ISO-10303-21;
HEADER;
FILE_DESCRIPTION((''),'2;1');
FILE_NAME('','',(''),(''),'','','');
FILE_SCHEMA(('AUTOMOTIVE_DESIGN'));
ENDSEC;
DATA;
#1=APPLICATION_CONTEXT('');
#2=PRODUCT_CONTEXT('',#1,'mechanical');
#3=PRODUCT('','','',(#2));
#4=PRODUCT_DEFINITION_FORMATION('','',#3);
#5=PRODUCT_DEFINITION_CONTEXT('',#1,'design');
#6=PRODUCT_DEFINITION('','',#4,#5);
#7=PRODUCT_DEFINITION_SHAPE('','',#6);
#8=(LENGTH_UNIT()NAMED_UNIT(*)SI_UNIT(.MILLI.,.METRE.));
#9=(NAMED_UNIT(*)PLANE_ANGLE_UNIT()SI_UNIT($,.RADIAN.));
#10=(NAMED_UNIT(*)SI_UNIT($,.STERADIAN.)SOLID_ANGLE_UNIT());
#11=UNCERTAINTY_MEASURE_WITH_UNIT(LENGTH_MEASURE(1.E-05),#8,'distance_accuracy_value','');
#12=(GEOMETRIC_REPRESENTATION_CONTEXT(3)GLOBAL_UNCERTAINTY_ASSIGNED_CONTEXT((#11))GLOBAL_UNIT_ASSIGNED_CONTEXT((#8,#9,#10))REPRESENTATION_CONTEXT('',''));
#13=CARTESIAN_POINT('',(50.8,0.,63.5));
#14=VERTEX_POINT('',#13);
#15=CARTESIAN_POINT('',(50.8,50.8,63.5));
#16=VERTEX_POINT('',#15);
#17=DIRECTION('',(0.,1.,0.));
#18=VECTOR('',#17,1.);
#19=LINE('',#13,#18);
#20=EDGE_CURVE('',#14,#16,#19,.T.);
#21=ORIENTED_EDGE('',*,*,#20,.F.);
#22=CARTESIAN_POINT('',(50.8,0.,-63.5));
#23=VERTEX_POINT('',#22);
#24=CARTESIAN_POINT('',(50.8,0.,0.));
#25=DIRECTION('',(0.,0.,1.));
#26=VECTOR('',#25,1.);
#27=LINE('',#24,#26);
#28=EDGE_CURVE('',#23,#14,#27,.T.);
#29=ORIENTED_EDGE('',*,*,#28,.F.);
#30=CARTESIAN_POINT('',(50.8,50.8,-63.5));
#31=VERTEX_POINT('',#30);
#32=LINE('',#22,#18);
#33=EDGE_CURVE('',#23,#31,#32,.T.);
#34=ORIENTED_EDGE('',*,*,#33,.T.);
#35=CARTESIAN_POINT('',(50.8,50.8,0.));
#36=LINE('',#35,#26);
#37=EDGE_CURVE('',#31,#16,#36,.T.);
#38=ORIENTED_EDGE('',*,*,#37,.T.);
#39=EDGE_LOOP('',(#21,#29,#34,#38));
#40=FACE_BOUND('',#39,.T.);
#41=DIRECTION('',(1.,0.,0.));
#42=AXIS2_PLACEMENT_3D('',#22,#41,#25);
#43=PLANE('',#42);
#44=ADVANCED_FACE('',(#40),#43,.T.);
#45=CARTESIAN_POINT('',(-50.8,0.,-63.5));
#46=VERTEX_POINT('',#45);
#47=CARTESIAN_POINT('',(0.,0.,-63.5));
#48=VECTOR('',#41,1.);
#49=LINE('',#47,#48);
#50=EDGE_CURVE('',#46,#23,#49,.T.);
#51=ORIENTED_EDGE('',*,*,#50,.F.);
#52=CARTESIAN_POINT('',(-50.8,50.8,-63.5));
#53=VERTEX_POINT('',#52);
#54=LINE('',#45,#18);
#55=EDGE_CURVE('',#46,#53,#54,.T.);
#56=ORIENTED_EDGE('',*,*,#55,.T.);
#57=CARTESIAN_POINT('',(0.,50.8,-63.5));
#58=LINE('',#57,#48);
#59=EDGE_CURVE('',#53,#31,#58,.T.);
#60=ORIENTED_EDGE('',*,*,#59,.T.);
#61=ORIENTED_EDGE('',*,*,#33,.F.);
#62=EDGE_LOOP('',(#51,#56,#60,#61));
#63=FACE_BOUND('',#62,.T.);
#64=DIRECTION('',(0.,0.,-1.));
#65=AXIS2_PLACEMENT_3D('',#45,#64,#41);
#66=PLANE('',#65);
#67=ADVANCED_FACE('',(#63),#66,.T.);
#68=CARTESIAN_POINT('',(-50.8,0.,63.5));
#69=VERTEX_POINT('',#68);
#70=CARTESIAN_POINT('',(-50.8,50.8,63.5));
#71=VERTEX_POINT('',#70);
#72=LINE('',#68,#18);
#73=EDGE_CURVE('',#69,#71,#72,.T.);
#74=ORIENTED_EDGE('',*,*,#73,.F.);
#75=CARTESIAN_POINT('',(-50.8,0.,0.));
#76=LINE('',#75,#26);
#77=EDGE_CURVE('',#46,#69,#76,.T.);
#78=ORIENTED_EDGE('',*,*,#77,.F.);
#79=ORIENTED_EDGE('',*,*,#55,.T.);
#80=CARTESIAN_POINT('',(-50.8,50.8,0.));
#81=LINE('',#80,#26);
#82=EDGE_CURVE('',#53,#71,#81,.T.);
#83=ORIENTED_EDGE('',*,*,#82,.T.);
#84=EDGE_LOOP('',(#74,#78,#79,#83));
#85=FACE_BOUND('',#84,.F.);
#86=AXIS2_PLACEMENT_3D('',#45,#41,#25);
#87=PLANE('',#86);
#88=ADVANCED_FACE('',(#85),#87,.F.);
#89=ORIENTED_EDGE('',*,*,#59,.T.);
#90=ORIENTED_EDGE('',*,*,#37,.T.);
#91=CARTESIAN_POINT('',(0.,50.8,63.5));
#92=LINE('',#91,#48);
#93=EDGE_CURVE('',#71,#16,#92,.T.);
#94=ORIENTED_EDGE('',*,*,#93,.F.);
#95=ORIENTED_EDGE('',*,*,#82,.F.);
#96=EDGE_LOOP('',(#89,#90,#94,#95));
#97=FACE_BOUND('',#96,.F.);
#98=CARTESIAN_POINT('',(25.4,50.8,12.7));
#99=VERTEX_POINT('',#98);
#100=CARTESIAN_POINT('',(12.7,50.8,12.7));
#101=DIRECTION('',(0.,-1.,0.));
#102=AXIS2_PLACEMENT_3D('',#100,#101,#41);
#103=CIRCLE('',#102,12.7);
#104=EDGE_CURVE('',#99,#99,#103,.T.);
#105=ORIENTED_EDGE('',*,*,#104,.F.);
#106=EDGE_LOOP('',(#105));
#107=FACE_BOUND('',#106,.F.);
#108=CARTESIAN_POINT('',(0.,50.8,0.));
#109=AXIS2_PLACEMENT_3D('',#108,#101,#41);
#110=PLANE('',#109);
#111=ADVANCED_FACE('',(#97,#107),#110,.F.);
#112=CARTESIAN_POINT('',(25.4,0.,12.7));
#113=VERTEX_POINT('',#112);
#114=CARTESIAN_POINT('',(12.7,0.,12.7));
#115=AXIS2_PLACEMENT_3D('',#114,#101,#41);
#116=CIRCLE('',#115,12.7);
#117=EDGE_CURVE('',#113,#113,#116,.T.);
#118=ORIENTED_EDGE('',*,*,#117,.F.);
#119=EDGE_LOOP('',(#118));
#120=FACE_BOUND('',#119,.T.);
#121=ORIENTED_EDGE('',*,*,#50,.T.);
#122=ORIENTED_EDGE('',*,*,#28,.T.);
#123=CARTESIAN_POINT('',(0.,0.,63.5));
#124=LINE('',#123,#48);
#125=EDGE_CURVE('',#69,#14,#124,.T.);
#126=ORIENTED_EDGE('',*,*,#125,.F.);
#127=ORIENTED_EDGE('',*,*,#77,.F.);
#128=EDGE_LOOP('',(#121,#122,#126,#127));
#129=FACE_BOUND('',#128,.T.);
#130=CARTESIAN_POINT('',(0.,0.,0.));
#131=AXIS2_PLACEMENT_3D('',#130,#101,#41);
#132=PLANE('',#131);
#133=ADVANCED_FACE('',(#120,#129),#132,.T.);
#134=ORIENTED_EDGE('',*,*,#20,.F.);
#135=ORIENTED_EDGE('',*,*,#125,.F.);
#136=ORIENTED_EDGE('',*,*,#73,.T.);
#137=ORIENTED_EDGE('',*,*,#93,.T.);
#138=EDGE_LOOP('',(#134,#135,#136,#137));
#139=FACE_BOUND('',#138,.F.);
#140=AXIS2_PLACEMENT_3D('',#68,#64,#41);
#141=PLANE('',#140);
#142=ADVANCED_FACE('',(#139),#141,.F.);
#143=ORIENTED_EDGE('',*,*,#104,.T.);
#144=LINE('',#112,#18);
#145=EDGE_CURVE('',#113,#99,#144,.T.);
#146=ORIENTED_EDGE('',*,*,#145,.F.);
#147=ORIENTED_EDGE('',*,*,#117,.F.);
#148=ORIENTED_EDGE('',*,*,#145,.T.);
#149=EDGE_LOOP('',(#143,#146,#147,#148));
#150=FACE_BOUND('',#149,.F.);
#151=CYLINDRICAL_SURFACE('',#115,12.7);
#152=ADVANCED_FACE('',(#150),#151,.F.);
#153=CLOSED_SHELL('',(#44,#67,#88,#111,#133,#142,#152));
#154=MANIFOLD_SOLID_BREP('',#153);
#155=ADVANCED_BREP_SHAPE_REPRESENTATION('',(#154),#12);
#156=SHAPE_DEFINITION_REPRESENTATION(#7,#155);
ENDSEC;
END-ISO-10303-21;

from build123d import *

# Parameters (mm, degrees)
F0_W     = 101.6
F0_H     = 127
F2_DEPTH = 50.8
F1_R     = 12.7
F3_DEPTH = 50.801


with BuildPart() as f2:
    # F0 (on Front) → F2 (new body)
    with BuildSketch(Plane.XZ):
        Rectangle(F0_W, F0_H)
    extrude(amount=-F2_DEPTH)

    # F1 (on face) → F3 (cut, through all)
    with BuildSketch(Plane.XZ):
        with Locations((12.7, 12.7)):
            Circle(F1_R)
    extrude(amount=-F3_DEPTH, mode=Mode.SUBTRACT)


solid = f2.part
